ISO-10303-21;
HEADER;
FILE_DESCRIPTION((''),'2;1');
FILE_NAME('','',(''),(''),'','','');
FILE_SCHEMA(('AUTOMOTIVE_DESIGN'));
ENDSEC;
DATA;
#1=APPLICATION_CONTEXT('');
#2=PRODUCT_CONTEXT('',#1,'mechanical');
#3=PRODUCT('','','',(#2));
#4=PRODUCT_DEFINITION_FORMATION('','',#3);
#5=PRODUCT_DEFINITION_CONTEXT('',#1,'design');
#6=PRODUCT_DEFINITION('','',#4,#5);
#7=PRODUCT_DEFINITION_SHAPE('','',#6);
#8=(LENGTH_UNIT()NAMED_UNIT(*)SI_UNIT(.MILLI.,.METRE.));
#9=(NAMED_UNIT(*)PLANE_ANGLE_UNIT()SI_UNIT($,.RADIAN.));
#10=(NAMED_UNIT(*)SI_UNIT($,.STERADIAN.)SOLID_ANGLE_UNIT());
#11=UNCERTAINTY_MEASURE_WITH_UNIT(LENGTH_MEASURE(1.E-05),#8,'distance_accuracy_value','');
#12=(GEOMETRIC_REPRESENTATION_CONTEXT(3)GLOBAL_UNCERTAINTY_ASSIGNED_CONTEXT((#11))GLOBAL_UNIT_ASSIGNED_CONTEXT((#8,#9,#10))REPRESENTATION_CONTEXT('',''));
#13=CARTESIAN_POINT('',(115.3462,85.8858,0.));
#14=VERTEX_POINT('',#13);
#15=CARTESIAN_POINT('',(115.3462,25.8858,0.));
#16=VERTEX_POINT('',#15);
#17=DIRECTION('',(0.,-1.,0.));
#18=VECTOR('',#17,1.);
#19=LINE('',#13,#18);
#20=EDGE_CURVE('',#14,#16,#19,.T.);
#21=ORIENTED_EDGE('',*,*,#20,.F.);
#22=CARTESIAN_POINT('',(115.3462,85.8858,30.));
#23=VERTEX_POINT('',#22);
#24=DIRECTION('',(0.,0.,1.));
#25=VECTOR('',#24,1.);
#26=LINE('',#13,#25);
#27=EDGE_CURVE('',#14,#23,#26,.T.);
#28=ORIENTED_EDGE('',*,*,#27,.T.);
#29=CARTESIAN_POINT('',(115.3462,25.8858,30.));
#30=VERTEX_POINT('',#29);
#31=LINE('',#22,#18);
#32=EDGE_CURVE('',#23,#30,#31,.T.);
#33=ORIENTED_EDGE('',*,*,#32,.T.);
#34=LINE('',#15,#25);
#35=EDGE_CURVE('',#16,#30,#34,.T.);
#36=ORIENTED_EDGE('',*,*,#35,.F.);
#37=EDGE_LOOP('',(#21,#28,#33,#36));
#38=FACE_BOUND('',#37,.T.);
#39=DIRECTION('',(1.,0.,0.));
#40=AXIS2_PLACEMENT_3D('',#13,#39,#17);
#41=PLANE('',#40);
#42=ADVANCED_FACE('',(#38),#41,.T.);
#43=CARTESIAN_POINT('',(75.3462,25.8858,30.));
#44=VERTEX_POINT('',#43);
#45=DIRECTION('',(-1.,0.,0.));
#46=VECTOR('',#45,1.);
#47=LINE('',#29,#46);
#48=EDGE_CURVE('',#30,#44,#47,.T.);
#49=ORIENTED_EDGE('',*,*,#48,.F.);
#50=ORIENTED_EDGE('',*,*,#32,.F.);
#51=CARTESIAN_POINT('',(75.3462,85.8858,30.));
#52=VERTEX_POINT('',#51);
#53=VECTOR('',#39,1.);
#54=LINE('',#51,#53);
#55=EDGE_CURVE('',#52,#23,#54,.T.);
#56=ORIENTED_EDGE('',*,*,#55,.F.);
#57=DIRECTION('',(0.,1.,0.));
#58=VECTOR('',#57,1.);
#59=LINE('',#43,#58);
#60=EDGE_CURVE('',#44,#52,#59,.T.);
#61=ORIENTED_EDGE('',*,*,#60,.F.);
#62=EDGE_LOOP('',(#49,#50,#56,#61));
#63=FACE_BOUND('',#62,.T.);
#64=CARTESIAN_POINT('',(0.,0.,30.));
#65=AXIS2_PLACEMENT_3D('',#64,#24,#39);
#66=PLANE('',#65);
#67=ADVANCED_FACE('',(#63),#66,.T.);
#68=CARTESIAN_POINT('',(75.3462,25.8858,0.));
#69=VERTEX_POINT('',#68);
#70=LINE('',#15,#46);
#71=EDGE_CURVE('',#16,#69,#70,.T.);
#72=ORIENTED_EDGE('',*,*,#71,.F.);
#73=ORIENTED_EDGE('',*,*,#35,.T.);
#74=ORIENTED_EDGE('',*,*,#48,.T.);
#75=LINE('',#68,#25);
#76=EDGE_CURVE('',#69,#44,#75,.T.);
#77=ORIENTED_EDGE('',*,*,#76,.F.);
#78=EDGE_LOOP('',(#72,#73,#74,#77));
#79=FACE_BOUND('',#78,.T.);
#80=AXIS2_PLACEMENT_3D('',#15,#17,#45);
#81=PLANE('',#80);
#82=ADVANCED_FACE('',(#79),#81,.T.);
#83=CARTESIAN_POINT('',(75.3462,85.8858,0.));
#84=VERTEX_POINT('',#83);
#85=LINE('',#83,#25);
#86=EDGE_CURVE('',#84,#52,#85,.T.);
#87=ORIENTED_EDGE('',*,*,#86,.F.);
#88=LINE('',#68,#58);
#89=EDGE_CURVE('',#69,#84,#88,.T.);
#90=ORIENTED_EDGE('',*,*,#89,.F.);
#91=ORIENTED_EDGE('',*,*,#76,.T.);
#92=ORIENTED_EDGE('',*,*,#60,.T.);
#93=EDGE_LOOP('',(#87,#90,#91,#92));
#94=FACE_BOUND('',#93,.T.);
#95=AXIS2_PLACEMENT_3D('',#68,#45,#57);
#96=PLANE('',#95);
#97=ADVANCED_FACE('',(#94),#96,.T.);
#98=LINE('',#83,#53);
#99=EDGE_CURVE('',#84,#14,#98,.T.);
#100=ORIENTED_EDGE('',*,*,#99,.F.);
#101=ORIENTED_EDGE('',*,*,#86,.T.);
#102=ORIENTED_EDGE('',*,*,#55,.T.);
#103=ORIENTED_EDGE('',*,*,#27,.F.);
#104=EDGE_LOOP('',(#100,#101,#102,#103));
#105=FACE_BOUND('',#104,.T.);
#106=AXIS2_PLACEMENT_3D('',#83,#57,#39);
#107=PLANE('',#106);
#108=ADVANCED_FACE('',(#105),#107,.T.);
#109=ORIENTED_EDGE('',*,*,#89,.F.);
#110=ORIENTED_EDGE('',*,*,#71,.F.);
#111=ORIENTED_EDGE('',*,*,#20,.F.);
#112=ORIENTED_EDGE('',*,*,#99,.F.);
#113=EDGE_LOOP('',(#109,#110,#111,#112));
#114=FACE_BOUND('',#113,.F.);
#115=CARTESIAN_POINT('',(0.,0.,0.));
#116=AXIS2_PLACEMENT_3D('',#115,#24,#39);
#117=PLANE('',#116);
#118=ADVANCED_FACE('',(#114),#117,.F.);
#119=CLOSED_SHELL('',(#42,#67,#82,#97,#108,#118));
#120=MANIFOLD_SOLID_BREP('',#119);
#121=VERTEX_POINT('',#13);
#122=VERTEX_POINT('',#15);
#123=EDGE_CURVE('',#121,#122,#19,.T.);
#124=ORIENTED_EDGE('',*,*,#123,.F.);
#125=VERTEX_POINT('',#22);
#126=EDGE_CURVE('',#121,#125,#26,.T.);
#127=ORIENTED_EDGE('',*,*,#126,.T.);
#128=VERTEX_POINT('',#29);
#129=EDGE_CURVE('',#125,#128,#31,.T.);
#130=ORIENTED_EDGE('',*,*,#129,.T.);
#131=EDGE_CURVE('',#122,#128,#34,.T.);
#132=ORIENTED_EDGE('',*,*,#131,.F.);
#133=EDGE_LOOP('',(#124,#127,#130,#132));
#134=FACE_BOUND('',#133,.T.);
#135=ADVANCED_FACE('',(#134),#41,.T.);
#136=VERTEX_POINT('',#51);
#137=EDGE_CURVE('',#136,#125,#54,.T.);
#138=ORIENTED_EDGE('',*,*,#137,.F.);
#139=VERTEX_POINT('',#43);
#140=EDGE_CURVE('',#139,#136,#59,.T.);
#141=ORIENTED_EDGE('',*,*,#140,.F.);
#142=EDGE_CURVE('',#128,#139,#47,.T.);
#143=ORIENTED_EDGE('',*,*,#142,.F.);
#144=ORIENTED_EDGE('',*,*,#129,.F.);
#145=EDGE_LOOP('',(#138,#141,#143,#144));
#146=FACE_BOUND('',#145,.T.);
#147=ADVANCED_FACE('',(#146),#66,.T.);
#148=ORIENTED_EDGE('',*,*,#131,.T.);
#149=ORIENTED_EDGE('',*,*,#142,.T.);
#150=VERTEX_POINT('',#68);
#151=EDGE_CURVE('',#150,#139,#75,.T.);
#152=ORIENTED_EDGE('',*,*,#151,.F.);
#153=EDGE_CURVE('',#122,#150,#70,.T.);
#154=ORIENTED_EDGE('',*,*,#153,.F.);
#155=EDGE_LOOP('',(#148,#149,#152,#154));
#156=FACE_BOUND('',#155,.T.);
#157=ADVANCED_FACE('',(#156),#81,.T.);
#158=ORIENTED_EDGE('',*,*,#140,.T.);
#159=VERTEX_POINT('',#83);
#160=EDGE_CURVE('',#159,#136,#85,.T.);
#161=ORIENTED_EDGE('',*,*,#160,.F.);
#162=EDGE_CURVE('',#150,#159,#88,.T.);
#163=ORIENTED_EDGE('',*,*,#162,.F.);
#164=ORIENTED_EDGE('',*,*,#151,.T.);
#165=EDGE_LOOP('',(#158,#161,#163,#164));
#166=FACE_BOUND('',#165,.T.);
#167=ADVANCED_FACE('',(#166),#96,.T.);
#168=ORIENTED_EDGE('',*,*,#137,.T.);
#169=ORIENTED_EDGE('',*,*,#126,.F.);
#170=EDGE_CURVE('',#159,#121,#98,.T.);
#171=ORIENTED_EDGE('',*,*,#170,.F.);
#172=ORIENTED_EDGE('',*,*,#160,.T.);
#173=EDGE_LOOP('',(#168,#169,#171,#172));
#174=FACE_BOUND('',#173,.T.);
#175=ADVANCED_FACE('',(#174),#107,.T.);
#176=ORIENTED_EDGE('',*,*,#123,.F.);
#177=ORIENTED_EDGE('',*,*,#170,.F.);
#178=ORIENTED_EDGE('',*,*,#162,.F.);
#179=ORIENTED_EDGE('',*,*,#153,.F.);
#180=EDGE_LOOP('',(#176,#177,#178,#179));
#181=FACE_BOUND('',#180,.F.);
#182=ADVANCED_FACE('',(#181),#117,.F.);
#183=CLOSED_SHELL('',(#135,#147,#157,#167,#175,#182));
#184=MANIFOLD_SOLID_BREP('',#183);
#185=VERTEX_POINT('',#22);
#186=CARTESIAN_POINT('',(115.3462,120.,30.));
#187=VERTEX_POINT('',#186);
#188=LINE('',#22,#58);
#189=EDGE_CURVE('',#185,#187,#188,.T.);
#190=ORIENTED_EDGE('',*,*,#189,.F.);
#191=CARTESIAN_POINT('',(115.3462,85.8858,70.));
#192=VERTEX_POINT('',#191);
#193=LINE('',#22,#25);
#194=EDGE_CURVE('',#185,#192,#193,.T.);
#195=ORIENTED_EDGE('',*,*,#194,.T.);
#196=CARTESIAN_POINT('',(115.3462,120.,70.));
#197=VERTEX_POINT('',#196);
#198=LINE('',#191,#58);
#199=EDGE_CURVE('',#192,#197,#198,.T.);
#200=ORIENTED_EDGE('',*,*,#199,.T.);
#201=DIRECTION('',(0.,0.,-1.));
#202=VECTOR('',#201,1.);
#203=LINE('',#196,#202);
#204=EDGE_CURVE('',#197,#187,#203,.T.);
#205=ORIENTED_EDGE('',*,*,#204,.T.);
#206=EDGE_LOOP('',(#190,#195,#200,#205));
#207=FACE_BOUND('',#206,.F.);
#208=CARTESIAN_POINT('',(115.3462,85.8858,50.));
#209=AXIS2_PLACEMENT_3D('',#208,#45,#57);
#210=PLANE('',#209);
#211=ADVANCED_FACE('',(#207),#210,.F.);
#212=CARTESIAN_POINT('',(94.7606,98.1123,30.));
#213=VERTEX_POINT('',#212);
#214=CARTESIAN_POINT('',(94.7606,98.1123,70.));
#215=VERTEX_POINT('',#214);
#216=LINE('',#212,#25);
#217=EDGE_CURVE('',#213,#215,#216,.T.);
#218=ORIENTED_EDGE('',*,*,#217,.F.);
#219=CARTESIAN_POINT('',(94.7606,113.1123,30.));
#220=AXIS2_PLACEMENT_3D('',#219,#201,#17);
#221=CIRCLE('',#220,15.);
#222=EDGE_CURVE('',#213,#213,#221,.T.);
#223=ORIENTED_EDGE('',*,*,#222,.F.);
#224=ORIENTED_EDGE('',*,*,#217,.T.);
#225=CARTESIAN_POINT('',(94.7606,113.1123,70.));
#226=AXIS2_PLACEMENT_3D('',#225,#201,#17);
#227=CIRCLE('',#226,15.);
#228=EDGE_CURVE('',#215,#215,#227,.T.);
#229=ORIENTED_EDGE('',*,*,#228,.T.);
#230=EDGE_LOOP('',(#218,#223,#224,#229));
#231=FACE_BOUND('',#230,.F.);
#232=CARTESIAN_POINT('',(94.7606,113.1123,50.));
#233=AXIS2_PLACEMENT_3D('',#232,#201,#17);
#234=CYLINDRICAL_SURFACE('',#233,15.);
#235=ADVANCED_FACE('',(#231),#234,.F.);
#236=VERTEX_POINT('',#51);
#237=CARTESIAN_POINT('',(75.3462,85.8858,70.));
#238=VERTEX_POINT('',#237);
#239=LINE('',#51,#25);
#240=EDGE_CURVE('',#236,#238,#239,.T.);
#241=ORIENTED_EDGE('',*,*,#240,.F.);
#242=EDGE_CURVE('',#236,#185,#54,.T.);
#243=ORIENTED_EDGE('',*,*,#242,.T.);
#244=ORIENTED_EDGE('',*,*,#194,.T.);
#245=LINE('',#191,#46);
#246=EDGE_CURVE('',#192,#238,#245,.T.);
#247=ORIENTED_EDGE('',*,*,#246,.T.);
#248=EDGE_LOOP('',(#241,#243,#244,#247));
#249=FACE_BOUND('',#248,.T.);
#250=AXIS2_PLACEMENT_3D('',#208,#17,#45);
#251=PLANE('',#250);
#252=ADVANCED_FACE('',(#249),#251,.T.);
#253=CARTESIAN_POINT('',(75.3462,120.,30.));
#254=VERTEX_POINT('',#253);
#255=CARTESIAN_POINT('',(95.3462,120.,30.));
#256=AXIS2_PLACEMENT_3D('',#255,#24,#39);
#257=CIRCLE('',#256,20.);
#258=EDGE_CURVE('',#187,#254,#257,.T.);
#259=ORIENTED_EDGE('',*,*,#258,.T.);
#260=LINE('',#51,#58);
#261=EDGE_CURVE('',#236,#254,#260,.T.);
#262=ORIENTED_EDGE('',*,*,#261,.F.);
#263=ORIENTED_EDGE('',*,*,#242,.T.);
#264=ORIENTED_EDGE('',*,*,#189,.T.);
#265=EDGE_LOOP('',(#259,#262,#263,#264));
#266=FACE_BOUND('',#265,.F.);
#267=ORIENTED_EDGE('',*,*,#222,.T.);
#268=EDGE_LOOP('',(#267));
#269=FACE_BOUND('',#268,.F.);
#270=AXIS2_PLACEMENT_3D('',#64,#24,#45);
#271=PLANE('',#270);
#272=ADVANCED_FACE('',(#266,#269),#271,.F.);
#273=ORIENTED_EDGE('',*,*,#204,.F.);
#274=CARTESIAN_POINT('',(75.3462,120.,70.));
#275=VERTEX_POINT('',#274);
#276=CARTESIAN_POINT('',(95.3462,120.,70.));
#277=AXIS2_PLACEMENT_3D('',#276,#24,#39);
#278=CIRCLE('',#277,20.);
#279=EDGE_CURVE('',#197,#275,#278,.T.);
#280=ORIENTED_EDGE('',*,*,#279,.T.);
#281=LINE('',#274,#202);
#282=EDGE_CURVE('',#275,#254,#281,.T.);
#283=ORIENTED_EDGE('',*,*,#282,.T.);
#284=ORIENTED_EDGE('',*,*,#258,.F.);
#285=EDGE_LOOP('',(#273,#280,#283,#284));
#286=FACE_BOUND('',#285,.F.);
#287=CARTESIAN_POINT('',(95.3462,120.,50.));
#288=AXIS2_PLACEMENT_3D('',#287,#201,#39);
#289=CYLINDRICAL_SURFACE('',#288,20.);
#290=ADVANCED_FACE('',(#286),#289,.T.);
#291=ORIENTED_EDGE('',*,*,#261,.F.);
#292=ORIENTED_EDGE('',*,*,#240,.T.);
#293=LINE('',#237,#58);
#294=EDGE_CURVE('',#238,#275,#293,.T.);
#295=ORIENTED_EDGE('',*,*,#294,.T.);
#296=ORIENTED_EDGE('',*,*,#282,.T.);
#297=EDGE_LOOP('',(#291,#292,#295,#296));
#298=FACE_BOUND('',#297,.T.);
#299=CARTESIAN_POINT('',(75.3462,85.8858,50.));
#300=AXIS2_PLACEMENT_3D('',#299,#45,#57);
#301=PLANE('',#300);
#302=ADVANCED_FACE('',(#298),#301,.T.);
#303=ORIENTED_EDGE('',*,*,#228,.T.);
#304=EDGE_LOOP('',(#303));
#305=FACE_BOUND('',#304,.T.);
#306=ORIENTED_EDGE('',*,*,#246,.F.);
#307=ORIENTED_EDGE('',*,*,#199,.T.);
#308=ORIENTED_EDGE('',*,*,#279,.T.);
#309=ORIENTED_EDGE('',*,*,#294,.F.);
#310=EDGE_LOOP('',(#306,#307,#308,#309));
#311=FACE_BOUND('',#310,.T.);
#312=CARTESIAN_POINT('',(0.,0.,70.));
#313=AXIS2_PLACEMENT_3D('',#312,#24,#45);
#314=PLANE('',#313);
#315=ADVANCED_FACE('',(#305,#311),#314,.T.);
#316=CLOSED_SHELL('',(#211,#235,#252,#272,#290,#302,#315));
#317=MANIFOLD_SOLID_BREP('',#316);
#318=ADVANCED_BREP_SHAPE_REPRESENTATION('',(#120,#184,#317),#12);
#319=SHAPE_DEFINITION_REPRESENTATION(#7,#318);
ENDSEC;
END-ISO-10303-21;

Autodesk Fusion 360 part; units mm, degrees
sketch "Sketch1" plane through (0, 0, 0) normal (0, 0, 1) x (1, 0, 0) in component "Tamper"
  line L0 (75.3462, 85.8858) -> (115.3462, 85.8858)
  line L1 (115.3462, 85.8858) -> (115.3462, 25.8858)
  line L2 (115.3462, 25.8858) -> (75.3462, 25.8858)
  line L3 (75.3462, 25.8858) -> (75.3462, 85.8858)
  dimension "d1" = 60
  dimension "d2" = 40
extrude "Extrude1" add sketch "Sketch1" along normal blind 30 makes body 1 in component "Tamper"
sketch "Sketch2" plane through (0, 0, 30) normal (0, 0, 1) x (-1, 0, 0) in component "Tamper"
  line L0 (-75.3462, -25.8858) -> (-115.3462, -25.8858)
  line L1 (-115.3462, -25.8858) -> (-115.3462, -85.8858)
  line L2 (-115.3462, -85.8858) -> (-75.3462, -85.8858)
  line L3 (-75.3462, -85.8858) -> (-75.3462, -25.8858)
  line L4 (-75.3462, -85.8858) -> (-75.3462, -120)
  line L5 (-115.3462, -85.8858) -> (-115.3462, -120)
  arc A0 (-115.3462, -120) -> (-75.3462, -120) centre (-95.3462, -120) ccw
extrude "Extrude2" add sketch "Sketch2" along normal blind 20 contours L2 L4 L5 A0 bodies 1 in component "Tamper"
hole "Hole1" at (94.7606, 113.1123, 50) direction (0, 0, -1) diameter 30 depth 20 tip angle 118 bodies 1 in component "Tamper"
extrude "Extrude3" add sketch "Sketch1" along normal blind 30 separate body makes body 2 in component "Tamper"
extrude "Extrude4" add 1 faces at (95.151, 89.9613, 50) along direction (0, 0, 1) blind 20 on bodies 1 bodies 1 in component "Tamper"
component "Tamper" placed x (1, 0, 0) y (0, 1, 0) z (0, 0, 1) at (0, 0, 0)
